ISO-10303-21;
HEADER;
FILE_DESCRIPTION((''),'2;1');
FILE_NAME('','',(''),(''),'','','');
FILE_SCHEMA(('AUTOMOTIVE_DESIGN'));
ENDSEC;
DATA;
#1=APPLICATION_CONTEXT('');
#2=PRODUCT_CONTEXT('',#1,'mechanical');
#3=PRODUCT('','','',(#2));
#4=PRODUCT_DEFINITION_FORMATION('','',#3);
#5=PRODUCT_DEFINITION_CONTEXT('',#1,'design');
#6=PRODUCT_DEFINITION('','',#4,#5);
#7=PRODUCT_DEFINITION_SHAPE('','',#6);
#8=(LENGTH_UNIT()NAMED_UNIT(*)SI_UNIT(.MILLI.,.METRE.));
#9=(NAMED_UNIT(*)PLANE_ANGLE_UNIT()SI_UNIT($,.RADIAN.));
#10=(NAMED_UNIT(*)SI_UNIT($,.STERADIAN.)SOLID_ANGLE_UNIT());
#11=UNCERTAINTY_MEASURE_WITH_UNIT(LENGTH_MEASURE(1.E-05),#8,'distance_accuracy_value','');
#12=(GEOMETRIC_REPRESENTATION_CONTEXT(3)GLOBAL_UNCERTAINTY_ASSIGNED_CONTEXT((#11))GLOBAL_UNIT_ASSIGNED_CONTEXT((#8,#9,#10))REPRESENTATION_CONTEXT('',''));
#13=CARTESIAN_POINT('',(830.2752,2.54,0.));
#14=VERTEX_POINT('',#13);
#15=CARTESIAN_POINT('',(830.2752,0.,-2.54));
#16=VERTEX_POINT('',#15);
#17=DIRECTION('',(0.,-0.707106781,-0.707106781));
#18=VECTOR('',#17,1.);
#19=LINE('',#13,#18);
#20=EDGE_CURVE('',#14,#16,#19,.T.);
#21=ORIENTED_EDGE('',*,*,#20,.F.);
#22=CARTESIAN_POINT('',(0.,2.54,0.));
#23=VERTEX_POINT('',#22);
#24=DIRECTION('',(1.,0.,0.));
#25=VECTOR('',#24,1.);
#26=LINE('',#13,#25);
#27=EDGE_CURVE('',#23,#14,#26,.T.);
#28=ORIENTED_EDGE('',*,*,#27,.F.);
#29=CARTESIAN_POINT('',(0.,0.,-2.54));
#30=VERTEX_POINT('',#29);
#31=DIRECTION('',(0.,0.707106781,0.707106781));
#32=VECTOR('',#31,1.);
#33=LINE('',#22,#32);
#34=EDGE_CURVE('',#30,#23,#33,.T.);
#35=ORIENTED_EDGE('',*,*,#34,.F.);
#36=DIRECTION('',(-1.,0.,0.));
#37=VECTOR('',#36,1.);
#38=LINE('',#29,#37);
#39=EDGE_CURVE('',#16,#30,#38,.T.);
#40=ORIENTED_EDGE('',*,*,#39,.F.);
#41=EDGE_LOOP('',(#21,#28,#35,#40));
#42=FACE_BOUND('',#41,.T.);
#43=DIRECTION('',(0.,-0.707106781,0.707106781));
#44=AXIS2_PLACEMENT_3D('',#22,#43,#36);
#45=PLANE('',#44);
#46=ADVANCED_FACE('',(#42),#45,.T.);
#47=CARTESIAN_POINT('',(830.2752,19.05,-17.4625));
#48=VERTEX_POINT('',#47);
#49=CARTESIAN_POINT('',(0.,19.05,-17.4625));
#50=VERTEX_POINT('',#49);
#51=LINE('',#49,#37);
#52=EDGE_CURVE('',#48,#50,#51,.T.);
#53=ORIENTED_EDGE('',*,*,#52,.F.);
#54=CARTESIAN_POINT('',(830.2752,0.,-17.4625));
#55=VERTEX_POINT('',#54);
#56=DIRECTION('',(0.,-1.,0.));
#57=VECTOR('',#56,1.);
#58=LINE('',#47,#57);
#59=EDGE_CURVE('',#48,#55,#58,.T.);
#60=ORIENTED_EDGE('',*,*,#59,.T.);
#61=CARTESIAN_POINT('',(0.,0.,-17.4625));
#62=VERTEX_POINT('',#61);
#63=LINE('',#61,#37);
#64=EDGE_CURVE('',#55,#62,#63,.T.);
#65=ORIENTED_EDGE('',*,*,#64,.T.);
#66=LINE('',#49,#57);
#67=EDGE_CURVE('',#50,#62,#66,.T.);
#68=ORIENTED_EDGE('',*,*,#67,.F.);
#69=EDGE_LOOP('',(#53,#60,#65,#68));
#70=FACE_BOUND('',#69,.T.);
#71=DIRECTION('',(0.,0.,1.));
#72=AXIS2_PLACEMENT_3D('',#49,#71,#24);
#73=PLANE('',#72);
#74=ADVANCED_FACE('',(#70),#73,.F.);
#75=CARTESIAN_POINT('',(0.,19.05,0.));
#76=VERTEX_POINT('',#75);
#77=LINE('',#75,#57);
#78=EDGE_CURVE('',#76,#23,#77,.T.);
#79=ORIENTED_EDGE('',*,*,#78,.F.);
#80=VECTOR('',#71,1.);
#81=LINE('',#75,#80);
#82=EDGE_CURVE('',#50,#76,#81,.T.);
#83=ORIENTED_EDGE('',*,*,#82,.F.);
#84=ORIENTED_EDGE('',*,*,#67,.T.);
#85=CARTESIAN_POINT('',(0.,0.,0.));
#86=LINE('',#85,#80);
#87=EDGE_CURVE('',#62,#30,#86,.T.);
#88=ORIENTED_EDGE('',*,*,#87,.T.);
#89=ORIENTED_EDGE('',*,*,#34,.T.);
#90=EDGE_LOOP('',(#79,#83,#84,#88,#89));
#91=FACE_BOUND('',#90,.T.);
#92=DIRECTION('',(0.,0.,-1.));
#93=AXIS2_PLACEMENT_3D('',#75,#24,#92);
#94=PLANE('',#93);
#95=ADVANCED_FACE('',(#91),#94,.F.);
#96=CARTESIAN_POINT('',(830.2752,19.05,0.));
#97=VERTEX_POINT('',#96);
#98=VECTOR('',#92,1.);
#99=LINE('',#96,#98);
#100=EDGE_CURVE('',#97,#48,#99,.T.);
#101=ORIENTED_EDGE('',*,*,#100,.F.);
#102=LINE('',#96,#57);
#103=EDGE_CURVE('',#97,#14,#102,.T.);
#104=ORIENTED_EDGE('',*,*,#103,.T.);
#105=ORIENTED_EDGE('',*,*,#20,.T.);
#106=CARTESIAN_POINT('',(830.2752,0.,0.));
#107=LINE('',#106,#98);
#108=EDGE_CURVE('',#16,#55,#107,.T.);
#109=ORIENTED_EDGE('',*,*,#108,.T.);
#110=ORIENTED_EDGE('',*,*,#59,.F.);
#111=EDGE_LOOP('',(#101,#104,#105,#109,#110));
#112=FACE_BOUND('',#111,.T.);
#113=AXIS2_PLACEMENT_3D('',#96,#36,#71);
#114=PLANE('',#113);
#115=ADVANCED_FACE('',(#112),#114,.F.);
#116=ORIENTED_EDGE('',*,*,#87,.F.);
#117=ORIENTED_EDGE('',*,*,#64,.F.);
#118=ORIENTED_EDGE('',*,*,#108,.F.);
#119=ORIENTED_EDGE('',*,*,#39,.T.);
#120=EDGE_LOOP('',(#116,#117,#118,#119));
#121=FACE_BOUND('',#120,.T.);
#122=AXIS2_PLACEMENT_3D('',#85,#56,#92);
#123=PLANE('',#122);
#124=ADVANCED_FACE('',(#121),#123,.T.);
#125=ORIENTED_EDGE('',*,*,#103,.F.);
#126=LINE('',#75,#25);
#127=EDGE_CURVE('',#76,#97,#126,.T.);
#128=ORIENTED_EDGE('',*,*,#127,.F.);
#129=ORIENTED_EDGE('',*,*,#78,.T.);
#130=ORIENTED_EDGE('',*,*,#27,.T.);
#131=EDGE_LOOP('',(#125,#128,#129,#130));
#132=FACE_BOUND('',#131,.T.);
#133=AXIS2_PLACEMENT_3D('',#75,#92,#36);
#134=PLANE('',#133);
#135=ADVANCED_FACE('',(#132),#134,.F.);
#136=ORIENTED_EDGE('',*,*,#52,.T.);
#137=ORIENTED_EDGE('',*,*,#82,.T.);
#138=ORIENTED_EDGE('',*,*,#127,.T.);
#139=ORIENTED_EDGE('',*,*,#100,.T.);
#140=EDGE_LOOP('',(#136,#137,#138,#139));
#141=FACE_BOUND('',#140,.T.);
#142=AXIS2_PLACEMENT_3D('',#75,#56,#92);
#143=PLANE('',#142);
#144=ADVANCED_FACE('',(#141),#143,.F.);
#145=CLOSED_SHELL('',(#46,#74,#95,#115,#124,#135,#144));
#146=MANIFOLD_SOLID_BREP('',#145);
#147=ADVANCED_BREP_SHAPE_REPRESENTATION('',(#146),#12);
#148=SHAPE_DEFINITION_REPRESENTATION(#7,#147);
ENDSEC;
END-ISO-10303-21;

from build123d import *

# Parameters (mm, degrees)
SKETCH1_W           = 830.2752
SKETCH1_H           = 17.4625
BOSS_EXTRUDE1_DEPTH = 19.05
CHAMFER1_SIZE       = 2.54


with BuildPart() as part:
    # Sketch1 → Boss-Extrude1 (new body)
    with BuildSketch(Plane(origin=(0, 0, 0), x_dir=(1, 0, 0), z_dir=(0, 1, 0))):
        with Locations((415.1376, 8.73125)):
            Rectangle(SKETCH1_W, SKETCH1_H)
    extrude(amount=BOSS_EXTRUDE1_DEPTH)

    # Chamfer1
    chamfer1_edges = [part.edges().sort_by_distance(p)[0] for p in [
        (415.1376, 0, 0),
    ]]
    chamfer(chamfer1_edges, length=CHAMFER1_SIZE)


solid = part.part
